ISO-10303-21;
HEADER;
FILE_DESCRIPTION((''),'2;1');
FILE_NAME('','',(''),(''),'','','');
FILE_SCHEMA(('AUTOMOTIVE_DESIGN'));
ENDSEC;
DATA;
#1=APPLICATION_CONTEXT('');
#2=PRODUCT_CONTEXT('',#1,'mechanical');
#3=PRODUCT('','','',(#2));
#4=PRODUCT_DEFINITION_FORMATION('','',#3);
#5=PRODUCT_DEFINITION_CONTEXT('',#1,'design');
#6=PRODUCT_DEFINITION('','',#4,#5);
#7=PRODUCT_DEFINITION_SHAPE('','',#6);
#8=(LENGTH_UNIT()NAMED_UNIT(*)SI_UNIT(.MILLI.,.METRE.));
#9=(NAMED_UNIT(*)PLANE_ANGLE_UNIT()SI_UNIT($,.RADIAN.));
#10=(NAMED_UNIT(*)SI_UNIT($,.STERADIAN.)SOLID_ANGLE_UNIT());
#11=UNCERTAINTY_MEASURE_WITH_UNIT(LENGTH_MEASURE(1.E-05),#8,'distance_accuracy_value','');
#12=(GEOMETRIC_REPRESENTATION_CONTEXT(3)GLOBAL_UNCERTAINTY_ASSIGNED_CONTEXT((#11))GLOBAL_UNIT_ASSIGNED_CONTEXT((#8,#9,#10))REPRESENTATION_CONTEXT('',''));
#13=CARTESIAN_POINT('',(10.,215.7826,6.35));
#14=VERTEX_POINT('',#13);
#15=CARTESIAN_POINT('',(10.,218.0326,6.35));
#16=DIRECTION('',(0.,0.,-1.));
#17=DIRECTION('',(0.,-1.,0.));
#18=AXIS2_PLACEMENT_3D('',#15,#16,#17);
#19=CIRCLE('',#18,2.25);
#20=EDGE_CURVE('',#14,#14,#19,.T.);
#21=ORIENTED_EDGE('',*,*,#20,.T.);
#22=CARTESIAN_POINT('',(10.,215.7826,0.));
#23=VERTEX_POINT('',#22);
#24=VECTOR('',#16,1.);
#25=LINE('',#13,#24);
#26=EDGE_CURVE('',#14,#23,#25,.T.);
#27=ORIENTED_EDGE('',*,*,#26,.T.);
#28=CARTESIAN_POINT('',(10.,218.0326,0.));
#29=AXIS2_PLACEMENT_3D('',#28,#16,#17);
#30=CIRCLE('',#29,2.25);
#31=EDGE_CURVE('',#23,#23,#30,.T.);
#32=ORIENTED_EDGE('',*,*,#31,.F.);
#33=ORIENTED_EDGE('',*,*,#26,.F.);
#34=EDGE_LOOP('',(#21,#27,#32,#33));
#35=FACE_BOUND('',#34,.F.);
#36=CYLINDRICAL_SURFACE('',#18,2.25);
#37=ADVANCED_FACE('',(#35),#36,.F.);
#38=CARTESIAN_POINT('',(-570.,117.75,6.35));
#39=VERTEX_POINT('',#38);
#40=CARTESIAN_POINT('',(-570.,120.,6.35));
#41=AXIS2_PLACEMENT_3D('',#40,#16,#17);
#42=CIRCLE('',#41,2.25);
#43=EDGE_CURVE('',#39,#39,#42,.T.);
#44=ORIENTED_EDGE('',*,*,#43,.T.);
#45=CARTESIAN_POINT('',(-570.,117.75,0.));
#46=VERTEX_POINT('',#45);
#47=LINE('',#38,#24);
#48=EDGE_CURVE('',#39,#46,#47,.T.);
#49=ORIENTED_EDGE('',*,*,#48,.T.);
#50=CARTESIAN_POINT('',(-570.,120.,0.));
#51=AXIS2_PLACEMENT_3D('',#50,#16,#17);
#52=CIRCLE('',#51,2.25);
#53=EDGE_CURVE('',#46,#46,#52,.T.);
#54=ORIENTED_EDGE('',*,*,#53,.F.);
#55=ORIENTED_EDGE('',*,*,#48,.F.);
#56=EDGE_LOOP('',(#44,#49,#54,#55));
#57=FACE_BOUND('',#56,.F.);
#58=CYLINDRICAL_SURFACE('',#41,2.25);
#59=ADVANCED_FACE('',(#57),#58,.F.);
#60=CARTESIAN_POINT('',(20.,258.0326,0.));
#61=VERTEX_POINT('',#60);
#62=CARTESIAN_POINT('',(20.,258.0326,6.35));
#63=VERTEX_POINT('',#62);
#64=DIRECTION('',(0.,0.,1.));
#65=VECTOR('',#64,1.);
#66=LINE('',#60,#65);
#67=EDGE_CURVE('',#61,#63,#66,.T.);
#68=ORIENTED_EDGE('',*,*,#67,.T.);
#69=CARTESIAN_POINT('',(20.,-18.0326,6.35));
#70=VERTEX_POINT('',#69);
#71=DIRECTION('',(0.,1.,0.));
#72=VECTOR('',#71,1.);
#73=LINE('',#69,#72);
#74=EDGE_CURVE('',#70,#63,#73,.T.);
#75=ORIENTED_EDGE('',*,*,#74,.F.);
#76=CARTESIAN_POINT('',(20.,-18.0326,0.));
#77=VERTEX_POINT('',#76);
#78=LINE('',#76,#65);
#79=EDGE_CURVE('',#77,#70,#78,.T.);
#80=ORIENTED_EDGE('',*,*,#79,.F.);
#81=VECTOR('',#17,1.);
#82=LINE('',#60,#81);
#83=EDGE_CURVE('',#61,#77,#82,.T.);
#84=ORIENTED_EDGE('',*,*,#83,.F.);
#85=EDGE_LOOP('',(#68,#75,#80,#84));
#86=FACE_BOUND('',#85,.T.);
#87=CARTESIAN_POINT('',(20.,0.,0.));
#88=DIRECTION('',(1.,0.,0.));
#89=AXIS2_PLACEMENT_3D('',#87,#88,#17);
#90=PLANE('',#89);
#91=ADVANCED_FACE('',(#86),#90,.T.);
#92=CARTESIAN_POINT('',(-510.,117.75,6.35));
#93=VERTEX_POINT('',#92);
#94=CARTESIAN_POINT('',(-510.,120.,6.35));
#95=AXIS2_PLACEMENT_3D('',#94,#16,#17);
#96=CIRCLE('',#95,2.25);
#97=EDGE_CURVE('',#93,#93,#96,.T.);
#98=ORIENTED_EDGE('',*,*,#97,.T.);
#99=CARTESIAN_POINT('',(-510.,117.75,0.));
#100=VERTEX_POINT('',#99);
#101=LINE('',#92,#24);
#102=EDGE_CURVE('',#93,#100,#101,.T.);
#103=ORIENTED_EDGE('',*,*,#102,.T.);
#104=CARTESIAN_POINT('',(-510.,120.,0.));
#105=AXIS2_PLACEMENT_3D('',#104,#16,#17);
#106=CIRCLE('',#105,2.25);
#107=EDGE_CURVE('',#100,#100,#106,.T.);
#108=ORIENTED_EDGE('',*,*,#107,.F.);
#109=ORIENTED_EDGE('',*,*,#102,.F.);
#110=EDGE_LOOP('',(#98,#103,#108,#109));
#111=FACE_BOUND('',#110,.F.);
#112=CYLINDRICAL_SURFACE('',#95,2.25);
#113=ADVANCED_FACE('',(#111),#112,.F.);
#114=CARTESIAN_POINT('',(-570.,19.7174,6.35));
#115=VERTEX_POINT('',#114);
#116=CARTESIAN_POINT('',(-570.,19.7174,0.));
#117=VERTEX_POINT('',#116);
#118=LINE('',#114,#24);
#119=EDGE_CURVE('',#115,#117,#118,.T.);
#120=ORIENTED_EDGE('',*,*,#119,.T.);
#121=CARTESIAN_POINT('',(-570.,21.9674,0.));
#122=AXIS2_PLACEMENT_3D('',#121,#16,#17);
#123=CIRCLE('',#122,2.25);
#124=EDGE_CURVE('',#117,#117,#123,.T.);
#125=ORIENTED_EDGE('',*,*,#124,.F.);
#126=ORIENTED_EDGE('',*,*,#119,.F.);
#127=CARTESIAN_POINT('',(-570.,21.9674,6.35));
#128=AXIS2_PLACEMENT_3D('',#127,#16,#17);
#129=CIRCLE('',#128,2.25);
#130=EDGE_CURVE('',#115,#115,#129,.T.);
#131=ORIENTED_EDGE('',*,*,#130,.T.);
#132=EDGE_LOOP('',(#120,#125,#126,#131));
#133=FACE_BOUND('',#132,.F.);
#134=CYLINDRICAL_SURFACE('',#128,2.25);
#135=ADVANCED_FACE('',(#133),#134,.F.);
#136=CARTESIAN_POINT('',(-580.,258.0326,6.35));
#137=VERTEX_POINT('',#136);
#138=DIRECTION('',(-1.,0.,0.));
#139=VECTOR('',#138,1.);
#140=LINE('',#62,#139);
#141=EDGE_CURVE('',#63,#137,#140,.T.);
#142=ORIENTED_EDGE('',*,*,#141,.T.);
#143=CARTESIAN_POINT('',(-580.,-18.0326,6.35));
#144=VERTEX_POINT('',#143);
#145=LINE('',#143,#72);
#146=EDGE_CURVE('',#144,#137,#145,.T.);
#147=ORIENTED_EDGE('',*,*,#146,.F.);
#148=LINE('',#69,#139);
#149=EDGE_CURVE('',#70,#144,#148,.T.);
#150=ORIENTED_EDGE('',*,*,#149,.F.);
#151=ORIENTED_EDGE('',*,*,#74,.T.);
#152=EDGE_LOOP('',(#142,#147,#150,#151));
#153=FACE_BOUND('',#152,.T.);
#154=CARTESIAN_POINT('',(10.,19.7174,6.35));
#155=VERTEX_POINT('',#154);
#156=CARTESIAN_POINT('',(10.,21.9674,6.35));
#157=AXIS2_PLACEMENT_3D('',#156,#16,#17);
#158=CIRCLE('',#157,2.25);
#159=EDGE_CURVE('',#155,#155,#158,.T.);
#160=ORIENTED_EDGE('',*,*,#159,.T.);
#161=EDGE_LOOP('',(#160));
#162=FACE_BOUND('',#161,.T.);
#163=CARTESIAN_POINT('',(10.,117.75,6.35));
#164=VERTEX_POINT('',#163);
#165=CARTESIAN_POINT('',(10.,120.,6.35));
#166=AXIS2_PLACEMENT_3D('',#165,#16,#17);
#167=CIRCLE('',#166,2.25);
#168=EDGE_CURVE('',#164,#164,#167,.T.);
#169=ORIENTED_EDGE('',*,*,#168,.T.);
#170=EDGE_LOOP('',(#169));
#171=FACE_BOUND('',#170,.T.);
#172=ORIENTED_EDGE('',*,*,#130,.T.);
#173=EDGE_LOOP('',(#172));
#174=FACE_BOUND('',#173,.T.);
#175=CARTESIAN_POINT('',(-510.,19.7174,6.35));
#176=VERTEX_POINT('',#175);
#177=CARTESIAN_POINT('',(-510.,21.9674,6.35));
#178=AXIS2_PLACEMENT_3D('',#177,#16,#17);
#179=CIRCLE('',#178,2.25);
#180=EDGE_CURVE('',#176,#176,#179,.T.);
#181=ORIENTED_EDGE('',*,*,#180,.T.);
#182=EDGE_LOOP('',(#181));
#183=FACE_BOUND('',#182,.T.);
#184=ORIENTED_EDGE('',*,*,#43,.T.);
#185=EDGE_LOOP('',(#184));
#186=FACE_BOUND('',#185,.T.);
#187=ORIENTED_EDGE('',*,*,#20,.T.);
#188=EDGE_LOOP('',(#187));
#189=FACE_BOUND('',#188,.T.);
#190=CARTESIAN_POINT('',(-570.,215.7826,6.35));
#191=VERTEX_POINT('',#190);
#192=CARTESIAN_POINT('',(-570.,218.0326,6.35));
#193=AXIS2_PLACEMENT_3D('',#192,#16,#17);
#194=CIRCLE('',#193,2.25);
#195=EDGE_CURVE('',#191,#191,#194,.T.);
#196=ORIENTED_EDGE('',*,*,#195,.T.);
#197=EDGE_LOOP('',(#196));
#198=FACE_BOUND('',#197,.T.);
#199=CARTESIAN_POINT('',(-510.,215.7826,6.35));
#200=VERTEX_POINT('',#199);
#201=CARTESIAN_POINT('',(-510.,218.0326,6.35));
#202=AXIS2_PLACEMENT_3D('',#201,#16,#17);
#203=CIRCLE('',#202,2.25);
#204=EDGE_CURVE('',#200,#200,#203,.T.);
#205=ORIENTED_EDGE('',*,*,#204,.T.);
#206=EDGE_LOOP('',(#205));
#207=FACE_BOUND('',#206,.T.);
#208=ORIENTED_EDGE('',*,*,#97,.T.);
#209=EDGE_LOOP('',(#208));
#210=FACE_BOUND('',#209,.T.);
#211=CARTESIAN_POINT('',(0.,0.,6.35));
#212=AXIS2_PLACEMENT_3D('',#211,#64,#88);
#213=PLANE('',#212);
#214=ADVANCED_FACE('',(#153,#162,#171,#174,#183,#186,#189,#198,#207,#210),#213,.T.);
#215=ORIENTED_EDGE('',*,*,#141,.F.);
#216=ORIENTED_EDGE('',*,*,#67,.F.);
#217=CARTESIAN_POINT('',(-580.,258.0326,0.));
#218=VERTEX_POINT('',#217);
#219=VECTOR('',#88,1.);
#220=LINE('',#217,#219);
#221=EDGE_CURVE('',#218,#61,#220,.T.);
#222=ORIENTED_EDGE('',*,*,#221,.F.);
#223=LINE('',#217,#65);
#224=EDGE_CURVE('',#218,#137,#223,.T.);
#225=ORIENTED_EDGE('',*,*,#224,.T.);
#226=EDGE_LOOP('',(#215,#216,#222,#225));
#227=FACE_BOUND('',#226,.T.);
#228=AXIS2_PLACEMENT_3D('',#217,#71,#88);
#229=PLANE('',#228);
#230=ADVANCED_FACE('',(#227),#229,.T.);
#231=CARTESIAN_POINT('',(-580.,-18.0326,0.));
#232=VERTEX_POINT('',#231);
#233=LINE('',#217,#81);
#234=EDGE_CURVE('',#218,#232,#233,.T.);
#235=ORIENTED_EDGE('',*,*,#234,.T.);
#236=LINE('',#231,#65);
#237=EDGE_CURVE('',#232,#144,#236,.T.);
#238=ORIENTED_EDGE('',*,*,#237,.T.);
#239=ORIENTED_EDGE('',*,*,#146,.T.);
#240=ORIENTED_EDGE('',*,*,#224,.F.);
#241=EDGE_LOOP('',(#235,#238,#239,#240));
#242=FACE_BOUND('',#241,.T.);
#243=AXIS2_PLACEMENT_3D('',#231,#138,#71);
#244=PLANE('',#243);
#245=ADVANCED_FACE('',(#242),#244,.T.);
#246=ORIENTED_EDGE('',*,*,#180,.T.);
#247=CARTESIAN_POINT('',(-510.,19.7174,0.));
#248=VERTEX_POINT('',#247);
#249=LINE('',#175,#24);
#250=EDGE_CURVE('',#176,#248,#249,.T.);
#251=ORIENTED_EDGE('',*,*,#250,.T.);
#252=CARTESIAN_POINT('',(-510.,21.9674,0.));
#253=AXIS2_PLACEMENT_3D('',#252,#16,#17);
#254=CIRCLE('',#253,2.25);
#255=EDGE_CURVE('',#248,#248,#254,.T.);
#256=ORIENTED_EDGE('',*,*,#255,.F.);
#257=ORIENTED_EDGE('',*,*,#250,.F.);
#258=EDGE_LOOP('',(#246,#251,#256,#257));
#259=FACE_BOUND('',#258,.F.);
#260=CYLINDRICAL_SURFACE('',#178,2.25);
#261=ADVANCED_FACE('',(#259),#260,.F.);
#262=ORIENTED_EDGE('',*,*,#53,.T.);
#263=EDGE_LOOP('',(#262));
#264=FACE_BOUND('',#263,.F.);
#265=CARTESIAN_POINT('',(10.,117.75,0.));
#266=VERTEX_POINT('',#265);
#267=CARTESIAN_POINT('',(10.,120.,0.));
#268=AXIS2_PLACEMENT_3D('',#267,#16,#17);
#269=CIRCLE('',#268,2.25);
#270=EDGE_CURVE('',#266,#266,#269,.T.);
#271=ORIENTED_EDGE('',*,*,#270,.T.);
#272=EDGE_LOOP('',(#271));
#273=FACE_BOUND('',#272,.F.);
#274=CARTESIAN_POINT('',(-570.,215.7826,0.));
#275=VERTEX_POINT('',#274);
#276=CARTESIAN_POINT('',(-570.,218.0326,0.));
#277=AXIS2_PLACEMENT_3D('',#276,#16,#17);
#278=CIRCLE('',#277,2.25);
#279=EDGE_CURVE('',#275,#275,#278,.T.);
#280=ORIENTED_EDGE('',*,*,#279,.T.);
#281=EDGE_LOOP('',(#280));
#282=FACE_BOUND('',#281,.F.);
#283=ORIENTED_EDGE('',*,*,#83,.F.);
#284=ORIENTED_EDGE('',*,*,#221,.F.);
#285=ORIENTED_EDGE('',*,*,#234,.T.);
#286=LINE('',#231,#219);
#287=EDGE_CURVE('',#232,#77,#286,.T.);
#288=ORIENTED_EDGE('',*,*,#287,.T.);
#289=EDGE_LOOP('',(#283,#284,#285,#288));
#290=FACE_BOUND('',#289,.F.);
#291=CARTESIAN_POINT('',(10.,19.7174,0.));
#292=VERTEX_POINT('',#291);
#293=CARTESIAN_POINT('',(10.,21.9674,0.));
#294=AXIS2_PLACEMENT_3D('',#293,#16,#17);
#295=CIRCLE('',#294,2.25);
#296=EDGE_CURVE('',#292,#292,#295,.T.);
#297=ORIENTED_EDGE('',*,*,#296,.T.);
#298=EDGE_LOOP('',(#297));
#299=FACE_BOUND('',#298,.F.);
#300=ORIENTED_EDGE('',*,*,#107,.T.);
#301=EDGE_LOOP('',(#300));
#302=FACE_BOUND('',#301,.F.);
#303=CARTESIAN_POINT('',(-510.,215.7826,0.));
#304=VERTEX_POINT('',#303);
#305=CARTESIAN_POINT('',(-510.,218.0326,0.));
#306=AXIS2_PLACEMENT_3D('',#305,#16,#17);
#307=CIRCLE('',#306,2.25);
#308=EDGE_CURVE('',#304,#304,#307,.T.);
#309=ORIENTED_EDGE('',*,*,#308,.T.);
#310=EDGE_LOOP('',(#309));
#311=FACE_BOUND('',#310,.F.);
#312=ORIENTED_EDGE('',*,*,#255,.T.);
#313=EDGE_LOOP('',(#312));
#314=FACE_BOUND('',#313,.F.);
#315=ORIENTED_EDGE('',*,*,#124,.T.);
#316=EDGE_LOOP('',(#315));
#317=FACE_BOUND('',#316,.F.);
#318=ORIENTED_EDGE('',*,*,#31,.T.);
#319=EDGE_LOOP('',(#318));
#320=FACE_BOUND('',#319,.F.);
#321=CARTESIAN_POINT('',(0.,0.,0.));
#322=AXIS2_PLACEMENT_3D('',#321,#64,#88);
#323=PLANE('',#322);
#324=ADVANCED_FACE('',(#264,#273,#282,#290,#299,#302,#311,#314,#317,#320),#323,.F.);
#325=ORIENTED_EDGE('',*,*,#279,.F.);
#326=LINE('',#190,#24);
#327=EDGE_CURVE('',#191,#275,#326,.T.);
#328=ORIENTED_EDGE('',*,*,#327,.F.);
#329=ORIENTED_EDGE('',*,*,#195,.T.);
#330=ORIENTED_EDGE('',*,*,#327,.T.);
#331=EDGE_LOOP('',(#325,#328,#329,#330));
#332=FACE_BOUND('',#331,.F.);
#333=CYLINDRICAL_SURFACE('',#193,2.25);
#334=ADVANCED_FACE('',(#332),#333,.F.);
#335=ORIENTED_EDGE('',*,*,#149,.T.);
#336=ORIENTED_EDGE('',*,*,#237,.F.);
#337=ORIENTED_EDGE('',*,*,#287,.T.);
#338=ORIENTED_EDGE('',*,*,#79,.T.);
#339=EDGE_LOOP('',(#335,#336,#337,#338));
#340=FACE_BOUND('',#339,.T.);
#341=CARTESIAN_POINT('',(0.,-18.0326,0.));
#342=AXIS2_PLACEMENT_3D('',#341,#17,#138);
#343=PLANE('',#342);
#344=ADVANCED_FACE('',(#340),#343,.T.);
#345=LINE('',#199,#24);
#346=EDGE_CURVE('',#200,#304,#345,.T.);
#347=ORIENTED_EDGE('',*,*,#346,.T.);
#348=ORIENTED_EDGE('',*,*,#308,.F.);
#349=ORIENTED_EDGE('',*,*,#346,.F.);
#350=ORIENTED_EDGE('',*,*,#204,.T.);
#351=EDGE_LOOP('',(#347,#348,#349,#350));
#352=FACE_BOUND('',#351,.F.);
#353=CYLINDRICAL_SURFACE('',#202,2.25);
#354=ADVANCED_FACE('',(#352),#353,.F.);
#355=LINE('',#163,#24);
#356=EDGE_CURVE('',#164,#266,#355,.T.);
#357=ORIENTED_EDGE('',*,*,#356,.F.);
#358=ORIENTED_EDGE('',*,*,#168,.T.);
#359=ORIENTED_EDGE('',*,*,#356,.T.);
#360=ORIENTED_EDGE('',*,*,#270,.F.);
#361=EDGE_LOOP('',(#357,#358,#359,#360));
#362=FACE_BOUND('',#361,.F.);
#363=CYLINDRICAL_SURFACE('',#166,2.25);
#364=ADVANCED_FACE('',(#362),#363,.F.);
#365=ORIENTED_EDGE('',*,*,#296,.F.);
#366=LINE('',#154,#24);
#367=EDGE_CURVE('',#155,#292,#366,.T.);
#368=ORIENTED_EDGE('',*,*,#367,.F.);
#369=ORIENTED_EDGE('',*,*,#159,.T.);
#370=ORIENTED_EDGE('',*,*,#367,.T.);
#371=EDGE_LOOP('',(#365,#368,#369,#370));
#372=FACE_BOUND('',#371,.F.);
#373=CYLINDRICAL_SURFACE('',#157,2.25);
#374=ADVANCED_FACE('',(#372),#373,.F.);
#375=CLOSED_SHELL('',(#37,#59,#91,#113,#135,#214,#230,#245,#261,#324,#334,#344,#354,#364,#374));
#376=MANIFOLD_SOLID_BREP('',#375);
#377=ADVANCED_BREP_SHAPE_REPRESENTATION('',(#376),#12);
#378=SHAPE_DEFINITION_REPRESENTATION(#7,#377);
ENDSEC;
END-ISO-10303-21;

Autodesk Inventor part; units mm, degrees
ref_plane "YZ Plane" through (0, 0, 0) normal (1, 0, 0) x (0, 1, 0)
ref_plane "XZ Plane" through (0, 0, 0) normal (0, 1, 0) x (-1, 0, 0)
ref_plane "XY Plane" through (0, 0, 0) normal (0, 0, 1) x (1, 0, 0)
sketch "Sketch1" plane through (0, 0, 0) normal (0, 0, 1) x (1, 0, 0)
  line L0 (0, -18.0326) -> (20, -18.0326) projected
  line L1 (20, 0) -> (20, -18.0326) projected
  line L2 (-580, 258.0326) -> (-500, 258.0326) projected
  line L3 (-580, 240) -> (-580, 258.0326) projected
  line L4 (20, -18.0326) -> (-580, -18.0326)
  line L5 (-580, -18.0326) -> (-580, 258.0326)
  line L6 (-580, 258.0326) -> (20, 258.0326)
  line L7 (20, 258.0326) -> (20, -18.0326)
  point P0 (0, 0)
extrude "Extrusion1" add sketch "Sketch1" along normal blind 6.35
sketch "Sketch2" plane through (0, 0, 6.35) normal (0, 0, 1) x (1, 0, 0)
  line L0 (-580, -18.0326) -> (20, -18.0326) projected
  line L1 (20, -18.0326) -> (20, 258.0326) projected
  line L2 (20, 258.0326) -> (-580, 258.0326) projected
  line L3 (-580, 258.0326) -> (-580, -18.0326) projected
  circle A0 centre (20, 120) radius 10 construction
  line L4 (10, 258.0326) -> (10, -18.0326) construction
  circle A1 centre (10, 258.0326) radius 40 construction
  circle A2 centre (10, -18.0326) radius 40 construction
  line L5 (10, 218.0326) -> (-580, 218.0326) construction
  line L6 (10, 120) -> (-580, 120) construction
  line L7 (10, 21.9674) -> (-580, 21.9674) construction
  circle A3 centre (-580, 120) radius 10 construction
  circle A4 centre (-580, 120) radius 70 construction
  line L8 (-570, 258.0326) -> (-570, -18.0326) construction
  line L9 (-510, 258.0326) -> (-510, -18.0326) construction
  point P0 (0, 0)
  point P1 (-510, 218.0326)
  point P2 (-570, 218.0326)
  point P3 (-570, 120)
  point P4 (-510, 120)
  point P5 (-510, 21.9674)
  point P6 (-570, 21.9674)
  dimension "d3" = 80
  dimension "d4" = 80
  dimension "d2" = 20
  dimension "d5" = 20
  dimension "d6" = 140
hole "Hole1" at (10, 120, 6.35) at (10, 218.0326, 6.35) at (10, 21.9674, 6.35) at (-510, 218.0326, 6.35) at (-570, 218.0326, 6.35) at (-570, 120, 6.35) at (-510, 120, 6.35) at (-510, 21.9674, 6.35) at (-570, 21.9674, 6.35) direction (0, 0, -1) diameter 4.5 end through all clearance for "Socket Head Cap Screw" size "M4" standard "Ansi Metric M Profile"
properties part number "large wall"
